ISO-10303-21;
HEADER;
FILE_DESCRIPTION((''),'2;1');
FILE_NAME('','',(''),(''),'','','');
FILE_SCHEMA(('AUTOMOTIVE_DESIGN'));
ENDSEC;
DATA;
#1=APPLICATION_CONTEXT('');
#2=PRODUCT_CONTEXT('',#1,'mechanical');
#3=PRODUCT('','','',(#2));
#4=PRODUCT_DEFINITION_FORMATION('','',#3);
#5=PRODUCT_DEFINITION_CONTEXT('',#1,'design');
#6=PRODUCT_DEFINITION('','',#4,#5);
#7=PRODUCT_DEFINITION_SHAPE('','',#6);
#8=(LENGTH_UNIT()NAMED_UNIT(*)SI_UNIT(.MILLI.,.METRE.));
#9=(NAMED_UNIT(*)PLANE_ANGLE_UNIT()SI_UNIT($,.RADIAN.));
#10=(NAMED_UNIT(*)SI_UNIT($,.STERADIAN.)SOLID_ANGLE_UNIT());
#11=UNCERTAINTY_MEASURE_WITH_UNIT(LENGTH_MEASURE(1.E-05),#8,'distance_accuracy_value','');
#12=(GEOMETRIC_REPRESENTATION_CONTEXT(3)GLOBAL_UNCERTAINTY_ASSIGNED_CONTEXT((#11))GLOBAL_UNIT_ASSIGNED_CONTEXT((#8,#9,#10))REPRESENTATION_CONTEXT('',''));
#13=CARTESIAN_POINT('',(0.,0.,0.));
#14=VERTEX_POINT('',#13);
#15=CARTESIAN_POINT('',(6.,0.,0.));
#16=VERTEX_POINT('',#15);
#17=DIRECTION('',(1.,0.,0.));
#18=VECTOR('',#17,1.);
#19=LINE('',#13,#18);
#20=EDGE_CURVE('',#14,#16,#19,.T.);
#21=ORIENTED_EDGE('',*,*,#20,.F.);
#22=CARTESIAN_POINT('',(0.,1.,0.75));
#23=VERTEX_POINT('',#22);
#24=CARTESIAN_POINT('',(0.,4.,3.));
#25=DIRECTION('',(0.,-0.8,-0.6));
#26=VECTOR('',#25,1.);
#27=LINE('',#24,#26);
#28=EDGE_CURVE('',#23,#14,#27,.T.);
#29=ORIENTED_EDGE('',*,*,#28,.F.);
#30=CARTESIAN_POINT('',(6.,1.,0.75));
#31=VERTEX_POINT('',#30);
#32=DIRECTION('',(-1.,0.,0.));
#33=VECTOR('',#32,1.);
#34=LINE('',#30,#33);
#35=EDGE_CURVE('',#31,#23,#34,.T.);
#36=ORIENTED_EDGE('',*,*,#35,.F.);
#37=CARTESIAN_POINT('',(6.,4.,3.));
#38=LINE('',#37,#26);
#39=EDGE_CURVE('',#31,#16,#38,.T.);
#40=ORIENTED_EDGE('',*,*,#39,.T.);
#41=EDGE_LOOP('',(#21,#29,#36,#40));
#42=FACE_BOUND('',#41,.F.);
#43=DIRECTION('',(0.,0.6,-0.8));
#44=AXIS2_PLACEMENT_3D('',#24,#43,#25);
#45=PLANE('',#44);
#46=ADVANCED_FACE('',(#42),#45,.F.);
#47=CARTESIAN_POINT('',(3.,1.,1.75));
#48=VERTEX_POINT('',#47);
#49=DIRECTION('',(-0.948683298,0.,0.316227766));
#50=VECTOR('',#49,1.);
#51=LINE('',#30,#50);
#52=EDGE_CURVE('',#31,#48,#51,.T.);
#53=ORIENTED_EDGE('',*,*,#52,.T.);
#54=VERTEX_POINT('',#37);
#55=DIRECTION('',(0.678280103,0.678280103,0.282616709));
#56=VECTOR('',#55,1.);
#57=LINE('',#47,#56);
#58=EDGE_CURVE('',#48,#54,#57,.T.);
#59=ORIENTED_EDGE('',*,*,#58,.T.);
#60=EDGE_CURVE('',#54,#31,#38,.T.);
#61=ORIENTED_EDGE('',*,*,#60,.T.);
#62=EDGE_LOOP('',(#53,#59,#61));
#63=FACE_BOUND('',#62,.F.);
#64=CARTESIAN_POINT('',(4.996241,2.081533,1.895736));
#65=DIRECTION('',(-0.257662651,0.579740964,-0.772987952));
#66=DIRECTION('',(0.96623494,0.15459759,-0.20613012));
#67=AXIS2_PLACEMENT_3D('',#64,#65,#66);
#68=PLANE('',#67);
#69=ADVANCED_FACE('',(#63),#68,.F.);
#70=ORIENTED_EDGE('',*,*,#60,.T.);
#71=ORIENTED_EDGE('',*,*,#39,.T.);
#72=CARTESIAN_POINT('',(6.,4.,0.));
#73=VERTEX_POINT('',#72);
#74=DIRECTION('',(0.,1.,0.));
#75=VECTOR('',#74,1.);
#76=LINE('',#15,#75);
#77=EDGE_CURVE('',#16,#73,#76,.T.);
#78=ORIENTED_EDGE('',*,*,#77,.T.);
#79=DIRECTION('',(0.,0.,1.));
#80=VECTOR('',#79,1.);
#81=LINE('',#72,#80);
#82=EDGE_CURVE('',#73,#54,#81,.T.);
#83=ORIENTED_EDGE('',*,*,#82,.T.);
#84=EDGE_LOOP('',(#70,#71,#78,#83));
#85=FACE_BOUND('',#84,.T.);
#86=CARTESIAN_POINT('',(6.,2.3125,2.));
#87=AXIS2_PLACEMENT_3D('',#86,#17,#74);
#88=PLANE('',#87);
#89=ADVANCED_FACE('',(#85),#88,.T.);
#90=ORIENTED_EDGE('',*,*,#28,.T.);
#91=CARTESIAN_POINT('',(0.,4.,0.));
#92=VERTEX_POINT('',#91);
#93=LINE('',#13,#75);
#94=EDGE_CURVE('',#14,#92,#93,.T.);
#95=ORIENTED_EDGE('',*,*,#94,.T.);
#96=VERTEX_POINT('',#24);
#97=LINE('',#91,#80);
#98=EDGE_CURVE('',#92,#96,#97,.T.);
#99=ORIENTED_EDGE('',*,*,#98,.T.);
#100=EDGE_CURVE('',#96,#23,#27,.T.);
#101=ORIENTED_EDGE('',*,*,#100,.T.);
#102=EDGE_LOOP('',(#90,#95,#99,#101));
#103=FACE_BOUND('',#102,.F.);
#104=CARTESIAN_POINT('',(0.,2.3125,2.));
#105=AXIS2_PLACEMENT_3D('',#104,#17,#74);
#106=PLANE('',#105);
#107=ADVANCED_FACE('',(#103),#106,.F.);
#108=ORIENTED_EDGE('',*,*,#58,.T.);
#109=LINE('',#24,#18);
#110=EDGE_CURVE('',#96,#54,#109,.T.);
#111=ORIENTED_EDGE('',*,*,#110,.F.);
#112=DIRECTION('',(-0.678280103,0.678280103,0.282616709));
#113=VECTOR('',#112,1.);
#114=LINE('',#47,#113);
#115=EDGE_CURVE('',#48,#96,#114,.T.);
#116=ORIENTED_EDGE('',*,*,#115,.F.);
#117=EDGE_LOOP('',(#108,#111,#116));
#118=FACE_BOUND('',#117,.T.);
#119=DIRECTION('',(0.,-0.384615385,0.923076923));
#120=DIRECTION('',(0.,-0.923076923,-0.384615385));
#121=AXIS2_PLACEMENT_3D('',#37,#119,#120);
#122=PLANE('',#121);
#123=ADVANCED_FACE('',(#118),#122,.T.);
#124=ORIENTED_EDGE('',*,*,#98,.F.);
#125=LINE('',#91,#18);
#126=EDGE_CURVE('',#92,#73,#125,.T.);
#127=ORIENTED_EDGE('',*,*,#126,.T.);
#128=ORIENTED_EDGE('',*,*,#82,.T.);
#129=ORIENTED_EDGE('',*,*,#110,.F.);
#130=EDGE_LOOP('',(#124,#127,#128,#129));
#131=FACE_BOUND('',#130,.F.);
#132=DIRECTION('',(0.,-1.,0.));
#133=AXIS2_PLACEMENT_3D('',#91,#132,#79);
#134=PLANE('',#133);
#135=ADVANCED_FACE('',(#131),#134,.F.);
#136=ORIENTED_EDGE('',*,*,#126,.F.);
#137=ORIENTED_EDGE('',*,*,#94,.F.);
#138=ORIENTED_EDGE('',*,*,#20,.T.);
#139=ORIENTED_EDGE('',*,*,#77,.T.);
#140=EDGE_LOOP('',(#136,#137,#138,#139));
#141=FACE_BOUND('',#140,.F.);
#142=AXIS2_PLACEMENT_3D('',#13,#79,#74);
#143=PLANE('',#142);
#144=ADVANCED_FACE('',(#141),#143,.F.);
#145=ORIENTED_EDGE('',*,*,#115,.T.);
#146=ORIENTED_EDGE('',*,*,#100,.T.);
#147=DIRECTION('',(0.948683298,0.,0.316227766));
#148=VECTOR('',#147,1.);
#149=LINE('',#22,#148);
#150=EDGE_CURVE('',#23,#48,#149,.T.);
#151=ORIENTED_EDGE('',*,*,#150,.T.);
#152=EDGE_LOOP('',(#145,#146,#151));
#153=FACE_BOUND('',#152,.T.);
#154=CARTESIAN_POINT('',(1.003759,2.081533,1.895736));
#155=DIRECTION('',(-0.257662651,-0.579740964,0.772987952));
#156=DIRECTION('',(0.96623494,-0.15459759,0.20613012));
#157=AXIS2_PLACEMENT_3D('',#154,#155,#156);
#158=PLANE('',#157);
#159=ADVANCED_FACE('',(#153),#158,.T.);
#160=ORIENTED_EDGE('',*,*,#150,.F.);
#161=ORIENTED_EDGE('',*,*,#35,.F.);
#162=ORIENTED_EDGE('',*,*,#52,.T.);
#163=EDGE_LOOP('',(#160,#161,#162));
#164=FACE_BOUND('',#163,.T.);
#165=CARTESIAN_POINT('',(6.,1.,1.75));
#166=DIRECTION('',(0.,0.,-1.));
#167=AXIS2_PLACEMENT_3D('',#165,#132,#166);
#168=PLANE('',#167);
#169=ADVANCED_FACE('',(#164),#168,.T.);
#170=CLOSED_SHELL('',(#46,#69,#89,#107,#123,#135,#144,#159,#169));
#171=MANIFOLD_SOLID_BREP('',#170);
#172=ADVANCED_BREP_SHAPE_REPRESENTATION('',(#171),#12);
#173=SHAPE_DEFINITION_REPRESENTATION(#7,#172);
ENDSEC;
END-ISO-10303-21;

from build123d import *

# Parameters (mm, degrees)
F1_DEPTH  = 6
F11_DEPTH = 6
F12_DEPTH = 25
F13_DEPTH = 25


with BuildPart() as f1:
    # F0 (on Right) → F1 (new body)
    with BuildSketch(Plane.YZ):
        Polygon((4, 3), (0, 0), (4, 0), align=None)
    extrude(amount=F1_DEPTH)

    # F10 (on face) → F11 (join)
    with BuildSketch(Plane.YZ.offset(6)):
        Polygon((1, 1.75), (1, 0.75), (4, 3), align=None)
    extrude(amount=-F11_DEPTH)

    # F9 (on 3pt) → F12 (cut)
    with BuildSketch(Plane(origin=(0.398340249, -0.8962655602, 1.1950207469), x_dir=(0.9662349396, 0.1545975903, -0.2061301204), z_dir=(-0.2576626506, 0.5797409638, -0.7729879517))):
        Polygon((5.7974096376, -1.25), (2.6925746984, -1.85), (5.7974096376, -5), align=None)
    extrude(amount=-F12_DEPTH, mode=Mode.SUBTRACT)

    # F7 (on 3pt) → F13 (cut)
    with BuildSketch(Plane(origin=(0, 0, 0), x_dir=(0.9662349396, -0.1545975903, 0.2061301204), z_dir=(-0.2576626506, -0.5797409638, 0.7729879517))):
        Polygon((3.1048349393, 1.85), (0, 5), (0, 1.25), align=None)
    extrude(amount=F13_DEPTH, mode=Mode.SUBTRACT)


solid = f1.part
